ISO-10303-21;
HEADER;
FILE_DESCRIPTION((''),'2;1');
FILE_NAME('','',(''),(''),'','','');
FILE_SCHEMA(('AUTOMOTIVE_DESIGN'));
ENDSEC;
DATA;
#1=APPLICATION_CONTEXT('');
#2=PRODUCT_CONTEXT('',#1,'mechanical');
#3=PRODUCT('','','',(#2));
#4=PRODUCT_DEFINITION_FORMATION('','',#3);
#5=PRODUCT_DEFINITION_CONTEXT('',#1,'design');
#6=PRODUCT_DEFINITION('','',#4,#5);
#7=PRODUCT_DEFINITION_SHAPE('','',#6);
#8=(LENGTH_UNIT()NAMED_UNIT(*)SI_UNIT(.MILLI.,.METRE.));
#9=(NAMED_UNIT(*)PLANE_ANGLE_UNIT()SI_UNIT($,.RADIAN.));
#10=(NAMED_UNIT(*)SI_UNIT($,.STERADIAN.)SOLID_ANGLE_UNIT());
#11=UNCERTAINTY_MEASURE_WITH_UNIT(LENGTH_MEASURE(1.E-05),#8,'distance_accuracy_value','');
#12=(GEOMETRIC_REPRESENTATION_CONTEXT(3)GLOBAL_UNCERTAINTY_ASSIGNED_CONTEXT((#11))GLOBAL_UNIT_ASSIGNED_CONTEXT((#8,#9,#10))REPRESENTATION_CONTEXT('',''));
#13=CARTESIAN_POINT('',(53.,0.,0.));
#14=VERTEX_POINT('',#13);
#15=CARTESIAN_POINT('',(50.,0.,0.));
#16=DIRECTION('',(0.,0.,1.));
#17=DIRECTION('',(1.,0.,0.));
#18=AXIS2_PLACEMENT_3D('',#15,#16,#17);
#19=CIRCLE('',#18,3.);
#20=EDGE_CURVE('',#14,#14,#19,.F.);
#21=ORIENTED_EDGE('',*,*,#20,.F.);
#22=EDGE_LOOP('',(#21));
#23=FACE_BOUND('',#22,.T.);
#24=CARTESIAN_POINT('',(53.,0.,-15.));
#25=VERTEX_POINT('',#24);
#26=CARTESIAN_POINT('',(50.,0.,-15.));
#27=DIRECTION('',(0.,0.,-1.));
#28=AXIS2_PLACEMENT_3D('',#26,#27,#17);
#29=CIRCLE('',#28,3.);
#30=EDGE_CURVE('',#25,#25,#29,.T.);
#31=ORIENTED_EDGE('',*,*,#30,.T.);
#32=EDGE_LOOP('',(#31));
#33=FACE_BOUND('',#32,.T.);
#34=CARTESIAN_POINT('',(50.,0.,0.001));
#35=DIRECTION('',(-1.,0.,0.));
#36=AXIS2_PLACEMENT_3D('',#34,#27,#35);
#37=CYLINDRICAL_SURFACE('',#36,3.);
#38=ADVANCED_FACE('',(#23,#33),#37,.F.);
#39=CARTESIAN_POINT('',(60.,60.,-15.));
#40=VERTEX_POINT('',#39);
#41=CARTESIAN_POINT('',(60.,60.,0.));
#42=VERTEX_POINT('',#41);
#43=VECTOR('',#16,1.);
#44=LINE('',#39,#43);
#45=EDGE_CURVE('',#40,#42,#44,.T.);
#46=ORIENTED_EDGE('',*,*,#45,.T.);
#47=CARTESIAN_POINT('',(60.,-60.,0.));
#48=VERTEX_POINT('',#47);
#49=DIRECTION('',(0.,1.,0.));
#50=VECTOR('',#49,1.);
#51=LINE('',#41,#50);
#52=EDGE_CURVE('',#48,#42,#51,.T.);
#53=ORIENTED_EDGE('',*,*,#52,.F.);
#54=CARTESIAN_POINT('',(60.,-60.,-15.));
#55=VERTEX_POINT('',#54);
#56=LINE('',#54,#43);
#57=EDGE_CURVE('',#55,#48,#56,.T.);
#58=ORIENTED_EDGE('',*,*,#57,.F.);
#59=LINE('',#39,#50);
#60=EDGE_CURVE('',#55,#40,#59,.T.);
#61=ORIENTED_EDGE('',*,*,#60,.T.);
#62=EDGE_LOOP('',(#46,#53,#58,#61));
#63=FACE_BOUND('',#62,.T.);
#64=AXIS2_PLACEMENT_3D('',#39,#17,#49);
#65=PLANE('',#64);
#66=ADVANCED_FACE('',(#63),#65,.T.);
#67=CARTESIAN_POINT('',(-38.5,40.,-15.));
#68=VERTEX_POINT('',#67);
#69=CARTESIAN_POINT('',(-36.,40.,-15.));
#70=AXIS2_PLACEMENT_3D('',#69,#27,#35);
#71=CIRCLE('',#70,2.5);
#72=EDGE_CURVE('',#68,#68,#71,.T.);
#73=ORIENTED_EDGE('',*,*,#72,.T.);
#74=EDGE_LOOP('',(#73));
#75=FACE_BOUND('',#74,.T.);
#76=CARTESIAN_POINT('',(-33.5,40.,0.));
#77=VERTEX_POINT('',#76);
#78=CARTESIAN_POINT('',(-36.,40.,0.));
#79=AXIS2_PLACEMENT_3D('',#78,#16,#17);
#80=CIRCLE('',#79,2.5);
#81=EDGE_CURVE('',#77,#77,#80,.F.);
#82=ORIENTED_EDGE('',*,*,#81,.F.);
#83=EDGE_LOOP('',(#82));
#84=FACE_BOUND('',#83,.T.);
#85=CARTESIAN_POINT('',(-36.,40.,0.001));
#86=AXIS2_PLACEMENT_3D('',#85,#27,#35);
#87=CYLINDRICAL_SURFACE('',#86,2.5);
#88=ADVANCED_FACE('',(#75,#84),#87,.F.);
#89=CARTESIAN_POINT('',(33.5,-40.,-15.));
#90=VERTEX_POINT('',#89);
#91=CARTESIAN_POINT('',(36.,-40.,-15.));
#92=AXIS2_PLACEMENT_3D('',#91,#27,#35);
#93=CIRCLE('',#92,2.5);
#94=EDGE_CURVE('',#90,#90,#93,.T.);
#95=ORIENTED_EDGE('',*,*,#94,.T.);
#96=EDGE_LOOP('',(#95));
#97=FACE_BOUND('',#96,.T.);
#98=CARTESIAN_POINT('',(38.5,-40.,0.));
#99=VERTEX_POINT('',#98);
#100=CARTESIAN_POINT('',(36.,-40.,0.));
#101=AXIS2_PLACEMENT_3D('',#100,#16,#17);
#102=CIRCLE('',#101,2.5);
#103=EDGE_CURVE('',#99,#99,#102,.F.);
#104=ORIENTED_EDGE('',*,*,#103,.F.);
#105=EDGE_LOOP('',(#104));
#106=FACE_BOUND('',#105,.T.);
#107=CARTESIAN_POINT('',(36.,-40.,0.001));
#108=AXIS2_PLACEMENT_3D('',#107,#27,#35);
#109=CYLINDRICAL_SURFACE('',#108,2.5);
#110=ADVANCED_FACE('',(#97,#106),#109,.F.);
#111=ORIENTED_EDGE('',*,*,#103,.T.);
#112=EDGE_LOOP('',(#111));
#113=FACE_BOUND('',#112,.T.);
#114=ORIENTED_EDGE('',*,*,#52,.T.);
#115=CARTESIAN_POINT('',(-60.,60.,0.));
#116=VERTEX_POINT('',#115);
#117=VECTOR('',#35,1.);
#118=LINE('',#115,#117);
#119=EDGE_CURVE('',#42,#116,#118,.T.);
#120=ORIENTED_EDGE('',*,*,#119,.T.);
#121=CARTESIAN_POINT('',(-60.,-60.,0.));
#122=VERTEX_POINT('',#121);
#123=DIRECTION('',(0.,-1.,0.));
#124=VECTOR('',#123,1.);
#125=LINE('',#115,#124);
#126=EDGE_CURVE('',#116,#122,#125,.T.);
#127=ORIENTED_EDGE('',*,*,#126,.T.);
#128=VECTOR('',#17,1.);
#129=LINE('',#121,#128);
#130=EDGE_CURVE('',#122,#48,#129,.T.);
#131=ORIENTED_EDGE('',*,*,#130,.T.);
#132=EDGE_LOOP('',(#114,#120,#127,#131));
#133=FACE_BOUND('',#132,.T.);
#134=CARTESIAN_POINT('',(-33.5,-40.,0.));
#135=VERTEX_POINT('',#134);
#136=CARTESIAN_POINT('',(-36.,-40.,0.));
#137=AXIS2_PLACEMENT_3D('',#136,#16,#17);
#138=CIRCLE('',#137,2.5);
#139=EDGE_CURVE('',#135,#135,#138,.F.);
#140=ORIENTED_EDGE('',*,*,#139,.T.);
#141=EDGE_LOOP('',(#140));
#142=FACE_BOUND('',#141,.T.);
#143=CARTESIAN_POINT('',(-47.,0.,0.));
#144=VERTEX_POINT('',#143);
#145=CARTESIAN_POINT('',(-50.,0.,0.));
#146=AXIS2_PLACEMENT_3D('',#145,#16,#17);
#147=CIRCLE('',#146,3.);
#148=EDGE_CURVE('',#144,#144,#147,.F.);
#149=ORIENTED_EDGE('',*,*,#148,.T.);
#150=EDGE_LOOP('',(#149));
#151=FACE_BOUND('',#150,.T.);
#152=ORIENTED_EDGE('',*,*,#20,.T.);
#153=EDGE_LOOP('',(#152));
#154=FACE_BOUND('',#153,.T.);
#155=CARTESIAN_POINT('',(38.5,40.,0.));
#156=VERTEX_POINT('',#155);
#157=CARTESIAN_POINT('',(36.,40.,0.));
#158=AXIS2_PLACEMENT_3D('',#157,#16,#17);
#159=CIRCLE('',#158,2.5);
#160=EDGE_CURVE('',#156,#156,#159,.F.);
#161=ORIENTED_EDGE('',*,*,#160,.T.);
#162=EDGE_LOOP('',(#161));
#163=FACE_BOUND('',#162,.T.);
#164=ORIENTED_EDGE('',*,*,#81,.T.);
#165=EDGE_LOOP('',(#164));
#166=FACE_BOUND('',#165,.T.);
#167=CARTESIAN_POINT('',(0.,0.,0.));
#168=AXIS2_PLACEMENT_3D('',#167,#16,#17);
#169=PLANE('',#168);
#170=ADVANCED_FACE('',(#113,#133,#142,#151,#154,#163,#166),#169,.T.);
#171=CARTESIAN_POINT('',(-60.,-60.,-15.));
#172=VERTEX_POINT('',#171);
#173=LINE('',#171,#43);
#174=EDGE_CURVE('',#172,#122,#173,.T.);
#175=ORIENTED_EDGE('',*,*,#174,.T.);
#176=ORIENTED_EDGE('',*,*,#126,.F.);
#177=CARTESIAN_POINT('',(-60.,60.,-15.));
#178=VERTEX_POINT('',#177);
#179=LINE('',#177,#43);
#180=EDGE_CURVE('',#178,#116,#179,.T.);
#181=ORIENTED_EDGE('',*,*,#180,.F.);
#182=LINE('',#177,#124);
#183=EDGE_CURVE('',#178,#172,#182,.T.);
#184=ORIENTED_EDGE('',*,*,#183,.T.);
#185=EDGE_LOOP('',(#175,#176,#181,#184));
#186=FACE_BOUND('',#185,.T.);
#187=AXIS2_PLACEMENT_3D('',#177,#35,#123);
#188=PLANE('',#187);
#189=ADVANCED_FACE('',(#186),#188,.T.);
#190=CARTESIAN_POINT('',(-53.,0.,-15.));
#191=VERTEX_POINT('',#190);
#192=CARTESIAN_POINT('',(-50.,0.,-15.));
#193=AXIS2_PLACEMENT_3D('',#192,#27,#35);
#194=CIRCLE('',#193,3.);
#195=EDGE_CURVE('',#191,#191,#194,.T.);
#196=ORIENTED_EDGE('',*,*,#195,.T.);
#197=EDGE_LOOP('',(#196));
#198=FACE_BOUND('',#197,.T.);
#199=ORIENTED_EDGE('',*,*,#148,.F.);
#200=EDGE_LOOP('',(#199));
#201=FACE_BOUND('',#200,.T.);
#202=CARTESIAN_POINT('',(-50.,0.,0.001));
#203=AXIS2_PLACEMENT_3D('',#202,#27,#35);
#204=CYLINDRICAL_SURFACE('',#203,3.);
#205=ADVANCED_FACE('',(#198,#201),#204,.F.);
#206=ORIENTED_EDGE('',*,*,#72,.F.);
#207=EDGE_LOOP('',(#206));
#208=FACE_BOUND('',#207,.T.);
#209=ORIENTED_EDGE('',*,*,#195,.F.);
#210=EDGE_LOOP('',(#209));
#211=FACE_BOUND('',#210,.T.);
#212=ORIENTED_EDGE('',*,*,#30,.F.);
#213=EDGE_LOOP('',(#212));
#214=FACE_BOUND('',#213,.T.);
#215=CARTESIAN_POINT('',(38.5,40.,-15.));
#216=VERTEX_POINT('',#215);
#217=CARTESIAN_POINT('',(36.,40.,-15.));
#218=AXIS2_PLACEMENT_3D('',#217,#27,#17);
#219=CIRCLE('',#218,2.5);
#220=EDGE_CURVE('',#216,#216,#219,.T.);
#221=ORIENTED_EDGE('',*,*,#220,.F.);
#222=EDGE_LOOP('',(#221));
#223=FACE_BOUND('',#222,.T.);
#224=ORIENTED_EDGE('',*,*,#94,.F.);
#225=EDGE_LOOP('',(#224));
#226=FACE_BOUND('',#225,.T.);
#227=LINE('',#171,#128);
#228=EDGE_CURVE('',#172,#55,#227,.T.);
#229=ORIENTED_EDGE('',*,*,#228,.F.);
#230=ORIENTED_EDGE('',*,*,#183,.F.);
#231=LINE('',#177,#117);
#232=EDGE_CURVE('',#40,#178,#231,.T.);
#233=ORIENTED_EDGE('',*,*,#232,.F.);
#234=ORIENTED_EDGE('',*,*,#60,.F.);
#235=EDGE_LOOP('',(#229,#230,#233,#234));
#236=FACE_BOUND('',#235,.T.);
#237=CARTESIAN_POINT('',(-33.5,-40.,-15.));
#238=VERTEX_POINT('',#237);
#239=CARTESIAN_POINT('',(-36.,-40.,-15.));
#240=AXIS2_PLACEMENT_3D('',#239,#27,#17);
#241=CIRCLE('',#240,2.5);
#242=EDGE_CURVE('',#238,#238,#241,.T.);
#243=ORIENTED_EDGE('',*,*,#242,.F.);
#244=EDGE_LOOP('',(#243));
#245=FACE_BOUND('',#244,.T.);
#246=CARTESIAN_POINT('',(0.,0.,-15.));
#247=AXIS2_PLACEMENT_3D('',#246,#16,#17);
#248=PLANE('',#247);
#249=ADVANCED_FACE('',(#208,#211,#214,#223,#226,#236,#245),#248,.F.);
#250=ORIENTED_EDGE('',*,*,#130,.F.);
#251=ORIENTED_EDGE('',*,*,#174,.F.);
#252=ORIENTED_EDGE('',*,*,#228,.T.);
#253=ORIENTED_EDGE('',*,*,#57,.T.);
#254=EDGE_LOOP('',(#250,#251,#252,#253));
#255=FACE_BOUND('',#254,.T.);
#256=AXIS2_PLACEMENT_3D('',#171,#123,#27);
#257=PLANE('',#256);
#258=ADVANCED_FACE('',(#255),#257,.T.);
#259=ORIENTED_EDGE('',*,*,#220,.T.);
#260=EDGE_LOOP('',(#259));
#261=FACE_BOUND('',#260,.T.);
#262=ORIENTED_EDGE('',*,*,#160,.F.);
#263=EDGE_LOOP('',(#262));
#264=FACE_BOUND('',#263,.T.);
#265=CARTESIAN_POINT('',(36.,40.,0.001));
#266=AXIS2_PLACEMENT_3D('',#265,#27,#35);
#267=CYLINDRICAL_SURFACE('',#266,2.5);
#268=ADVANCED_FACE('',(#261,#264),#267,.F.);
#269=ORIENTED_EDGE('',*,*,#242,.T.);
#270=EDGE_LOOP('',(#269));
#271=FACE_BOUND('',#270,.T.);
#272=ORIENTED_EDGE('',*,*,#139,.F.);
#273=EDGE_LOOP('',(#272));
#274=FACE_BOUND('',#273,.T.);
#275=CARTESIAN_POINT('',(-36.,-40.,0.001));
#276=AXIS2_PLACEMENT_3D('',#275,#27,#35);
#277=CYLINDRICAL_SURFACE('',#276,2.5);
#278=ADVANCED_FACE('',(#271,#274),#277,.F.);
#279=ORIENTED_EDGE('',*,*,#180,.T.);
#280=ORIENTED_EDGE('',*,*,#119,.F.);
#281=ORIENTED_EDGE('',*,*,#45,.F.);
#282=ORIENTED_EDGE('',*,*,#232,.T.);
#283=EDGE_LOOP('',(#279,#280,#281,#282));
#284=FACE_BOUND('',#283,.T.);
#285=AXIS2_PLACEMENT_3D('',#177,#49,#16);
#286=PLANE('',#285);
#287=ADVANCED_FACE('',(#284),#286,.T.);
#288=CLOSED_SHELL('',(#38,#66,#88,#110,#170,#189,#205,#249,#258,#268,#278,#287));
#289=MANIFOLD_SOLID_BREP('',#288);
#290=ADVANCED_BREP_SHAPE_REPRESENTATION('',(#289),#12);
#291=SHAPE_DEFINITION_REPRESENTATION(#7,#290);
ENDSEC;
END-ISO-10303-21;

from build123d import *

# Parameters (mm, degrees)
SKETCH1_W           = 120
SKETCH1_H           = 120
BOSS_EXTRUDE1_DEPTH = 15
CUT_EXTRUDE4_REACH  = 17
SKETCH7_R           = 2.5
SKETCH7_R_2         = 3


with BuildPart() as part:
    # Sketch1 → Boss-Extrude1 (new body)
    with BuildSketch(Plane.XY):
        Rectangle(SKETCH1_W, SKETCH1_H)
    extrude(amount=-BOSS_EXTRUDE1_DEPTH)

    # Sketch7 → Cut-Extrude4 (cut, up to next)
    with BuildSketch(Plane(origin=(0, 0, -15), x_dir=(-1, 0, 0), z_dir=(0, 0, -1)), mode=Mode.PRIVATE) as cut_extrude4_sk1:
        with Locations((-36, -40)):
            Circle(SKETCH7_R)
    cut_extrude4_tool1 = extrude(cut_extrude4_sk1.sketch, amount=-CUT_EXTRUDE4_REACH, mode=Mode.PRIVATE) & part.part
    add(cut_extrude4_tool1.solids().sort_by_distance((36, -40, -15))[0], mode=Mode.SUBTRACT)
    # Sketch7 → Cut-Extrude4 (cut, up to next)
    with BuildSketch(Plane(origin=(0, 0, -15), x_dir=(-1, 0, 0), z_dir=(0, 0, -1)), mode=Mode.PRIVATE) as cut_extrude4_sk2:
        with Locations((-36, 40)):
            Circle(SKETCH7_R)
    cut_extrude4_tool2 = extrude(cut_extrude4_sk2.sketch, amount=-CUT_EXTRUDE4_REACH, mode=Mode.PRIVATE) & part.part
    add(cut_extrude4_tool2.solids().sort_by_distance((36, 40, -15))[0], mode=Mode.SUBTRACT)
    # Sketch7 → Cut-Extrude4 (cut, up to next)
    with BuildSketch(Plane(origin=(0, 0, -15), x_dir=(-1, 0, 0), z_dir=(0, 0, -1)), mode=Mode.PRIVATE) as cut_extrude4_sk3:
        with Locations((36, -40)):
            Circle(SKETCH7_R)
    cut_extrude4_tool3 = extrude(cut_extrude4_sk3.sketch, amount=-CUT_EXTRUDE4_REACH, mode=Mode.PRIVATE) & part.part
    add(cut_extrude4_tool3.solids().sort_by_distance((-36, -40, -15))[0], mode=Mode.SUBTRACT)
    # Sketch7 → Cut-Extrude4 (cut, up to next)
    with BuildSketch(Plane(origin=(0, 0, -15), x_dir=(-1, 0, 0), z_dir=(0, 0, -1)), mode=Mode.PRIVATE) as cut_extrude4_sk4:
        with Locations((36, 40)):
            Circle(SKETCH7_R)
    cut_extrude4_tool4 = extrude(cut_extrude4_sk4.sketch, amount=-CUT_EXTRUDE4_REACH, mode=Mode.PRIVATE) & part.part
    add(cut_extrude4_tool4.solids().sort_by_distance((-36, 40, -15))[0], mode=Mode.SUBTRACT)
    # Sketch7 → Cut-Extrude4 (cut, up to next)
    with BuildSketch(Plane(origin=(0, 0, -15), x_dir=(-1, 0, 0), z_dir=(0, 0, -1)), mode=Mode.PRIVATE) as cut_extrude4_sk5:
        with Locations((50, 0)):
            Circle(SKETCH7_R_2)
    cut_extrude4_tool5 = extrude(cut_extrude4_sk5.sketch, amount=-CUT_EXTRUDE4_REACH, mode=Mode.PRIVATE) & part.part
    add(cut_extrude4_tool5.solids().sort_by_distance((-50, 0, -15))[0], mode=Mode.SUBTRACT)
    # Sketch7 → Cut-Extrude4 (cut, up to next)
    with BuildSketch(Plane(origin=(0, 0, -15), x_dir=(-1, 0, 0), z_dir=(0, 0, -1)), mode=Mode.PRIVATE) as cut_extrude4_sk6:
        with Locations((-50, 0)):
            Circle(SKETCH7_R_2)
    cut_extrude4_tool6 = extrude(cut_extrude4_sk6.sketch, amount=-CUT_EXTRUDE4_REACH, mode=Mode.PRIVATE) & part.part
    add(cut_extrude4_tool6.solids().sort_by_distance((50, 0, -15))[0], mode=Mode.SUBTRACT)


solid = part.part
